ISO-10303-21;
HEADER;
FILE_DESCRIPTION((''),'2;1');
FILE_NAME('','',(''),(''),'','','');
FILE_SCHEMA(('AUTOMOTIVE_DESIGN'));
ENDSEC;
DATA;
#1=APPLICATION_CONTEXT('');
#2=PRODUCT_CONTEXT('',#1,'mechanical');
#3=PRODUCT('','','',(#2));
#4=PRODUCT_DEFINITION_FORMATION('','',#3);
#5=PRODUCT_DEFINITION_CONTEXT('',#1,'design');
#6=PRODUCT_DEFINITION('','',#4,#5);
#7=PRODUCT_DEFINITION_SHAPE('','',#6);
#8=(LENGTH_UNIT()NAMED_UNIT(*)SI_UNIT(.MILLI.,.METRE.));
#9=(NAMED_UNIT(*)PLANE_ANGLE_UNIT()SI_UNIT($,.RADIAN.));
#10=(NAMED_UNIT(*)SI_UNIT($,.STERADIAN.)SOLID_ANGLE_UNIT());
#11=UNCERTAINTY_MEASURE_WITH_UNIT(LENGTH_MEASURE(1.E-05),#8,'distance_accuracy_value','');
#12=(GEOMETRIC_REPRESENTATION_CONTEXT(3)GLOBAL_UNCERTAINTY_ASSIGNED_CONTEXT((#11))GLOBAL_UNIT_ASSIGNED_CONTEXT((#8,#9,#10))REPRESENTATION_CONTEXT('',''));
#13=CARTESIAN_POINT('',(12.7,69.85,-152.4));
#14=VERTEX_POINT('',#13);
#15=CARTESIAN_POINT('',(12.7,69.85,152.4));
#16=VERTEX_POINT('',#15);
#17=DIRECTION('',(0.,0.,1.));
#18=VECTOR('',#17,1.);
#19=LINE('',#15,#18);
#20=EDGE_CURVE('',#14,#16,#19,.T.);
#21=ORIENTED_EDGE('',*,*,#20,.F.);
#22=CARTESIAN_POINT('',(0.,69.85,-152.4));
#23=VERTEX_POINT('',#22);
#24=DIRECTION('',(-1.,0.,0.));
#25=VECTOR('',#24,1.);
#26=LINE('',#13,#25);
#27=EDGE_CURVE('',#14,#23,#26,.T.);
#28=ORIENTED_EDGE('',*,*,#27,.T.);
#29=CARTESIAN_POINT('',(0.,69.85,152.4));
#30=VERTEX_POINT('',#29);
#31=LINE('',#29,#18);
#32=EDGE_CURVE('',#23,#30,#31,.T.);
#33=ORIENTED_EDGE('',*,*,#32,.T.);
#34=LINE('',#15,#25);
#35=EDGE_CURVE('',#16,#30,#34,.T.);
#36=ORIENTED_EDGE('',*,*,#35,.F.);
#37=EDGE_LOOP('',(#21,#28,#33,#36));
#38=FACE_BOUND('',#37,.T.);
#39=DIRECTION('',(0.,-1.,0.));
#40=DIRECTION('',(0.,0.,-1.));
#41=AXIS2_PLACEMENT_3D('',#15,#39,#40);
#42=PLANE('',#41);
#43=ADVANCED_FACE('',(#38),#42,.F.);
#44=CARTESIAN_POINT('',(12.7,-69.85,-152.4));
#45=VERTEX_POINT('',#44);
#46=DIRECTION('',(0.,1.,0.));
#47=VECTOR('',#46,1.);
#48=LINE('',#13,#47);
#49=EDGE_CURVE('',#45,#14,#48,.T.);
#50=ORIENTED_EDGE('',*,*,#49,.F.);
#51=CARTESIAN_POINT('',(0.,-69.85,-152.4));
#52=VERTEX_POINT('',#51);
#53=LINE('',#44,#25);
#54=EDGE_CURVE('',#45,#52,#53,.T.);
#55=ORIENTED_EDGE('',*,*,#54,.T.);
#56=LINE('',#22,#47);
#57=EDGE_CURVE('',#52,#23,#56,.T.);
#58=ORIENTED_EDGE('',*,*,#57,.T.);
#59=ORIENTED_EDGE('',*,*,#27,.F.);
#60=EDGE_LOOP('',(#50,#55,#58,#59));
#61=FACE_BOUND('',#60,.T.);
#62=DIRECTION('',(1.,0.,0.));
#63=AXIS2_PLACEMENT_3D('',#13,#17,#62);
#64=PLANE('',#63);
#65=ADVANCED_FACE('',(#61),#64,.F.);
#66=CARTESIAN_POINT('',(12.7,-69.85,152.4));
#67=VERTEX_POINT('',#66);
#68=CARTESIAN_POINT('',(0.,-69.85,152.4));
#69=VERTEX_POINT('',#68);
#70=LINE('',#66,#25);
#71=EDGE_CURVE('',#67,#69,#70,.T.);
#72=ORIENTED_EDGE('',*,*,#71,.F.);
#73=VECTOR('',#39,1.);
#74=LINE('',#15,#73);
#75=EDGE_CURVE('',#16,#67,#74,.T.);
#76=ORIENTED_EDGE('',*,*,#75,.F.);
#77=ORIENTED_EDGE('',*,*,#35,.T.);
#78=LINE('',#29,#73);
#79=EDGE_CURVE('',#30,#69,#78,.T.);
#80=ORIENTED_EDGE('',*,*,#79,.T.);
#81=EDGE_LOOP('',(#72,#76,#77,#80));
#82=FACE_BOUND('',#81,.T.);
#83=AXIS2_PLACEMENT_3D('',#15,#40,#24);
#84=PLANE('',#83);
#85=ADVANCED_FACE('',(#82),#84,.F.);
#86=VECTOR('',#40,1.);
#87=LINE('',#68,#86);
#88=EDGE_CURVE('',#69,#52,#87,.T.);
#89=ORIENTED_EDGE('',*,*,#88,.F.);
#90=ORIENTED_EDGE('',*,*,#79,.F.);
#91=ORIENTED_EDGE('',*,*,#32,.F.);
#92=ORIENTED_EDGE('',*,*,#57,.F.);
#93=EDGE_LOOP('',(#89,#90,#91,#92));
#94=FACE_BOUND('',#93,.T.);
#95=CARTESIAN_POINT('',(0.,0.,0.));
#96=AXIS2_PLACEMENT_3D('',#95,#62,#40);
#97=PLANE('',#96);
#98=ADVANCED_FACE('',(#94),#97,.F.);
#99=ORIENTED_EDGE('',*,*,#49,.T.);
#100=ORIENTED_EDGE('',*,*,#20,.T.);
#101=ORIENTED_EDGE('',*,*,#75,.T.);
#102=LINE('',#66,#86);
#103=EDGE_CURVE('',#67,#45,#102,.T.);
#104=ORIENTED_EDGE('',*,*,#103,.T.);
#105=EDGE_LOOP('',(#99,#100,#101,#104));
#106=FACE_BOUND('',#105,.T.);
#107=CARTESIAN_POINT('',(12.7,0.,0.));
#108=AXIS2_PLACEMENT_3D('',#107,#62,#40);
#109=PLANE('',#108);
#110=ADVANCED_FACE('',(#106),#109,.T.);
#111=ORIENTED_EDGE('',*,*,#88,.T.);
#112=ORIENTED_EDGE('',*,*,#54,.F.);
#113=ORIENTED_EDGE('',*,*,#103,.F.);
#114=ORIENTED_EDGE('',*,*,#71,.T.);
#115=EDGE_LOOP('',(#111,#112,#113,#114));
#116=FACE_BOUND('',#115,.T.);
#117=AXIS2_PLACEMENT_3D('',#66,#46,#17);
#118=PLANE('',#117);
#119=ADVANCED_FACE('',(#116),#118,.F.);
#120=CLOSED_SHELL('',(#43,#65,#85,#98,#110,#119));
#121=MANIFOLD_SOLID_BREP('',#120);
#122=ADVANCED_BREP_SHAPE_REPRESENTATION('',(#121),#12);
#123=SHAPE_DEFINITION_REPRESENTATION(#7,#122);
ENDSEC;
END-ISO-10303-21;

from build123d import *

# Parameters (mm, degrees)
SKETCH1_W           = 304.8
SKETCH1_H           = 139.7
BOSS_EXTRUDE1_DEPTH = 12.7


with BuildPart() as part:
    # Sketch1 → Boss-Extrude1 (new body)
    with BuildSketch(Plane(origin=(0, 0, 0), x_dir=(0, 0, -1), z_dir=(1, 0, 0))):
        Rectangle(SKETCH1_W, SKETCH1_H)
    extrude(amount=BOSS_EXTRUDE1_DEPTH)


solid = part.part
